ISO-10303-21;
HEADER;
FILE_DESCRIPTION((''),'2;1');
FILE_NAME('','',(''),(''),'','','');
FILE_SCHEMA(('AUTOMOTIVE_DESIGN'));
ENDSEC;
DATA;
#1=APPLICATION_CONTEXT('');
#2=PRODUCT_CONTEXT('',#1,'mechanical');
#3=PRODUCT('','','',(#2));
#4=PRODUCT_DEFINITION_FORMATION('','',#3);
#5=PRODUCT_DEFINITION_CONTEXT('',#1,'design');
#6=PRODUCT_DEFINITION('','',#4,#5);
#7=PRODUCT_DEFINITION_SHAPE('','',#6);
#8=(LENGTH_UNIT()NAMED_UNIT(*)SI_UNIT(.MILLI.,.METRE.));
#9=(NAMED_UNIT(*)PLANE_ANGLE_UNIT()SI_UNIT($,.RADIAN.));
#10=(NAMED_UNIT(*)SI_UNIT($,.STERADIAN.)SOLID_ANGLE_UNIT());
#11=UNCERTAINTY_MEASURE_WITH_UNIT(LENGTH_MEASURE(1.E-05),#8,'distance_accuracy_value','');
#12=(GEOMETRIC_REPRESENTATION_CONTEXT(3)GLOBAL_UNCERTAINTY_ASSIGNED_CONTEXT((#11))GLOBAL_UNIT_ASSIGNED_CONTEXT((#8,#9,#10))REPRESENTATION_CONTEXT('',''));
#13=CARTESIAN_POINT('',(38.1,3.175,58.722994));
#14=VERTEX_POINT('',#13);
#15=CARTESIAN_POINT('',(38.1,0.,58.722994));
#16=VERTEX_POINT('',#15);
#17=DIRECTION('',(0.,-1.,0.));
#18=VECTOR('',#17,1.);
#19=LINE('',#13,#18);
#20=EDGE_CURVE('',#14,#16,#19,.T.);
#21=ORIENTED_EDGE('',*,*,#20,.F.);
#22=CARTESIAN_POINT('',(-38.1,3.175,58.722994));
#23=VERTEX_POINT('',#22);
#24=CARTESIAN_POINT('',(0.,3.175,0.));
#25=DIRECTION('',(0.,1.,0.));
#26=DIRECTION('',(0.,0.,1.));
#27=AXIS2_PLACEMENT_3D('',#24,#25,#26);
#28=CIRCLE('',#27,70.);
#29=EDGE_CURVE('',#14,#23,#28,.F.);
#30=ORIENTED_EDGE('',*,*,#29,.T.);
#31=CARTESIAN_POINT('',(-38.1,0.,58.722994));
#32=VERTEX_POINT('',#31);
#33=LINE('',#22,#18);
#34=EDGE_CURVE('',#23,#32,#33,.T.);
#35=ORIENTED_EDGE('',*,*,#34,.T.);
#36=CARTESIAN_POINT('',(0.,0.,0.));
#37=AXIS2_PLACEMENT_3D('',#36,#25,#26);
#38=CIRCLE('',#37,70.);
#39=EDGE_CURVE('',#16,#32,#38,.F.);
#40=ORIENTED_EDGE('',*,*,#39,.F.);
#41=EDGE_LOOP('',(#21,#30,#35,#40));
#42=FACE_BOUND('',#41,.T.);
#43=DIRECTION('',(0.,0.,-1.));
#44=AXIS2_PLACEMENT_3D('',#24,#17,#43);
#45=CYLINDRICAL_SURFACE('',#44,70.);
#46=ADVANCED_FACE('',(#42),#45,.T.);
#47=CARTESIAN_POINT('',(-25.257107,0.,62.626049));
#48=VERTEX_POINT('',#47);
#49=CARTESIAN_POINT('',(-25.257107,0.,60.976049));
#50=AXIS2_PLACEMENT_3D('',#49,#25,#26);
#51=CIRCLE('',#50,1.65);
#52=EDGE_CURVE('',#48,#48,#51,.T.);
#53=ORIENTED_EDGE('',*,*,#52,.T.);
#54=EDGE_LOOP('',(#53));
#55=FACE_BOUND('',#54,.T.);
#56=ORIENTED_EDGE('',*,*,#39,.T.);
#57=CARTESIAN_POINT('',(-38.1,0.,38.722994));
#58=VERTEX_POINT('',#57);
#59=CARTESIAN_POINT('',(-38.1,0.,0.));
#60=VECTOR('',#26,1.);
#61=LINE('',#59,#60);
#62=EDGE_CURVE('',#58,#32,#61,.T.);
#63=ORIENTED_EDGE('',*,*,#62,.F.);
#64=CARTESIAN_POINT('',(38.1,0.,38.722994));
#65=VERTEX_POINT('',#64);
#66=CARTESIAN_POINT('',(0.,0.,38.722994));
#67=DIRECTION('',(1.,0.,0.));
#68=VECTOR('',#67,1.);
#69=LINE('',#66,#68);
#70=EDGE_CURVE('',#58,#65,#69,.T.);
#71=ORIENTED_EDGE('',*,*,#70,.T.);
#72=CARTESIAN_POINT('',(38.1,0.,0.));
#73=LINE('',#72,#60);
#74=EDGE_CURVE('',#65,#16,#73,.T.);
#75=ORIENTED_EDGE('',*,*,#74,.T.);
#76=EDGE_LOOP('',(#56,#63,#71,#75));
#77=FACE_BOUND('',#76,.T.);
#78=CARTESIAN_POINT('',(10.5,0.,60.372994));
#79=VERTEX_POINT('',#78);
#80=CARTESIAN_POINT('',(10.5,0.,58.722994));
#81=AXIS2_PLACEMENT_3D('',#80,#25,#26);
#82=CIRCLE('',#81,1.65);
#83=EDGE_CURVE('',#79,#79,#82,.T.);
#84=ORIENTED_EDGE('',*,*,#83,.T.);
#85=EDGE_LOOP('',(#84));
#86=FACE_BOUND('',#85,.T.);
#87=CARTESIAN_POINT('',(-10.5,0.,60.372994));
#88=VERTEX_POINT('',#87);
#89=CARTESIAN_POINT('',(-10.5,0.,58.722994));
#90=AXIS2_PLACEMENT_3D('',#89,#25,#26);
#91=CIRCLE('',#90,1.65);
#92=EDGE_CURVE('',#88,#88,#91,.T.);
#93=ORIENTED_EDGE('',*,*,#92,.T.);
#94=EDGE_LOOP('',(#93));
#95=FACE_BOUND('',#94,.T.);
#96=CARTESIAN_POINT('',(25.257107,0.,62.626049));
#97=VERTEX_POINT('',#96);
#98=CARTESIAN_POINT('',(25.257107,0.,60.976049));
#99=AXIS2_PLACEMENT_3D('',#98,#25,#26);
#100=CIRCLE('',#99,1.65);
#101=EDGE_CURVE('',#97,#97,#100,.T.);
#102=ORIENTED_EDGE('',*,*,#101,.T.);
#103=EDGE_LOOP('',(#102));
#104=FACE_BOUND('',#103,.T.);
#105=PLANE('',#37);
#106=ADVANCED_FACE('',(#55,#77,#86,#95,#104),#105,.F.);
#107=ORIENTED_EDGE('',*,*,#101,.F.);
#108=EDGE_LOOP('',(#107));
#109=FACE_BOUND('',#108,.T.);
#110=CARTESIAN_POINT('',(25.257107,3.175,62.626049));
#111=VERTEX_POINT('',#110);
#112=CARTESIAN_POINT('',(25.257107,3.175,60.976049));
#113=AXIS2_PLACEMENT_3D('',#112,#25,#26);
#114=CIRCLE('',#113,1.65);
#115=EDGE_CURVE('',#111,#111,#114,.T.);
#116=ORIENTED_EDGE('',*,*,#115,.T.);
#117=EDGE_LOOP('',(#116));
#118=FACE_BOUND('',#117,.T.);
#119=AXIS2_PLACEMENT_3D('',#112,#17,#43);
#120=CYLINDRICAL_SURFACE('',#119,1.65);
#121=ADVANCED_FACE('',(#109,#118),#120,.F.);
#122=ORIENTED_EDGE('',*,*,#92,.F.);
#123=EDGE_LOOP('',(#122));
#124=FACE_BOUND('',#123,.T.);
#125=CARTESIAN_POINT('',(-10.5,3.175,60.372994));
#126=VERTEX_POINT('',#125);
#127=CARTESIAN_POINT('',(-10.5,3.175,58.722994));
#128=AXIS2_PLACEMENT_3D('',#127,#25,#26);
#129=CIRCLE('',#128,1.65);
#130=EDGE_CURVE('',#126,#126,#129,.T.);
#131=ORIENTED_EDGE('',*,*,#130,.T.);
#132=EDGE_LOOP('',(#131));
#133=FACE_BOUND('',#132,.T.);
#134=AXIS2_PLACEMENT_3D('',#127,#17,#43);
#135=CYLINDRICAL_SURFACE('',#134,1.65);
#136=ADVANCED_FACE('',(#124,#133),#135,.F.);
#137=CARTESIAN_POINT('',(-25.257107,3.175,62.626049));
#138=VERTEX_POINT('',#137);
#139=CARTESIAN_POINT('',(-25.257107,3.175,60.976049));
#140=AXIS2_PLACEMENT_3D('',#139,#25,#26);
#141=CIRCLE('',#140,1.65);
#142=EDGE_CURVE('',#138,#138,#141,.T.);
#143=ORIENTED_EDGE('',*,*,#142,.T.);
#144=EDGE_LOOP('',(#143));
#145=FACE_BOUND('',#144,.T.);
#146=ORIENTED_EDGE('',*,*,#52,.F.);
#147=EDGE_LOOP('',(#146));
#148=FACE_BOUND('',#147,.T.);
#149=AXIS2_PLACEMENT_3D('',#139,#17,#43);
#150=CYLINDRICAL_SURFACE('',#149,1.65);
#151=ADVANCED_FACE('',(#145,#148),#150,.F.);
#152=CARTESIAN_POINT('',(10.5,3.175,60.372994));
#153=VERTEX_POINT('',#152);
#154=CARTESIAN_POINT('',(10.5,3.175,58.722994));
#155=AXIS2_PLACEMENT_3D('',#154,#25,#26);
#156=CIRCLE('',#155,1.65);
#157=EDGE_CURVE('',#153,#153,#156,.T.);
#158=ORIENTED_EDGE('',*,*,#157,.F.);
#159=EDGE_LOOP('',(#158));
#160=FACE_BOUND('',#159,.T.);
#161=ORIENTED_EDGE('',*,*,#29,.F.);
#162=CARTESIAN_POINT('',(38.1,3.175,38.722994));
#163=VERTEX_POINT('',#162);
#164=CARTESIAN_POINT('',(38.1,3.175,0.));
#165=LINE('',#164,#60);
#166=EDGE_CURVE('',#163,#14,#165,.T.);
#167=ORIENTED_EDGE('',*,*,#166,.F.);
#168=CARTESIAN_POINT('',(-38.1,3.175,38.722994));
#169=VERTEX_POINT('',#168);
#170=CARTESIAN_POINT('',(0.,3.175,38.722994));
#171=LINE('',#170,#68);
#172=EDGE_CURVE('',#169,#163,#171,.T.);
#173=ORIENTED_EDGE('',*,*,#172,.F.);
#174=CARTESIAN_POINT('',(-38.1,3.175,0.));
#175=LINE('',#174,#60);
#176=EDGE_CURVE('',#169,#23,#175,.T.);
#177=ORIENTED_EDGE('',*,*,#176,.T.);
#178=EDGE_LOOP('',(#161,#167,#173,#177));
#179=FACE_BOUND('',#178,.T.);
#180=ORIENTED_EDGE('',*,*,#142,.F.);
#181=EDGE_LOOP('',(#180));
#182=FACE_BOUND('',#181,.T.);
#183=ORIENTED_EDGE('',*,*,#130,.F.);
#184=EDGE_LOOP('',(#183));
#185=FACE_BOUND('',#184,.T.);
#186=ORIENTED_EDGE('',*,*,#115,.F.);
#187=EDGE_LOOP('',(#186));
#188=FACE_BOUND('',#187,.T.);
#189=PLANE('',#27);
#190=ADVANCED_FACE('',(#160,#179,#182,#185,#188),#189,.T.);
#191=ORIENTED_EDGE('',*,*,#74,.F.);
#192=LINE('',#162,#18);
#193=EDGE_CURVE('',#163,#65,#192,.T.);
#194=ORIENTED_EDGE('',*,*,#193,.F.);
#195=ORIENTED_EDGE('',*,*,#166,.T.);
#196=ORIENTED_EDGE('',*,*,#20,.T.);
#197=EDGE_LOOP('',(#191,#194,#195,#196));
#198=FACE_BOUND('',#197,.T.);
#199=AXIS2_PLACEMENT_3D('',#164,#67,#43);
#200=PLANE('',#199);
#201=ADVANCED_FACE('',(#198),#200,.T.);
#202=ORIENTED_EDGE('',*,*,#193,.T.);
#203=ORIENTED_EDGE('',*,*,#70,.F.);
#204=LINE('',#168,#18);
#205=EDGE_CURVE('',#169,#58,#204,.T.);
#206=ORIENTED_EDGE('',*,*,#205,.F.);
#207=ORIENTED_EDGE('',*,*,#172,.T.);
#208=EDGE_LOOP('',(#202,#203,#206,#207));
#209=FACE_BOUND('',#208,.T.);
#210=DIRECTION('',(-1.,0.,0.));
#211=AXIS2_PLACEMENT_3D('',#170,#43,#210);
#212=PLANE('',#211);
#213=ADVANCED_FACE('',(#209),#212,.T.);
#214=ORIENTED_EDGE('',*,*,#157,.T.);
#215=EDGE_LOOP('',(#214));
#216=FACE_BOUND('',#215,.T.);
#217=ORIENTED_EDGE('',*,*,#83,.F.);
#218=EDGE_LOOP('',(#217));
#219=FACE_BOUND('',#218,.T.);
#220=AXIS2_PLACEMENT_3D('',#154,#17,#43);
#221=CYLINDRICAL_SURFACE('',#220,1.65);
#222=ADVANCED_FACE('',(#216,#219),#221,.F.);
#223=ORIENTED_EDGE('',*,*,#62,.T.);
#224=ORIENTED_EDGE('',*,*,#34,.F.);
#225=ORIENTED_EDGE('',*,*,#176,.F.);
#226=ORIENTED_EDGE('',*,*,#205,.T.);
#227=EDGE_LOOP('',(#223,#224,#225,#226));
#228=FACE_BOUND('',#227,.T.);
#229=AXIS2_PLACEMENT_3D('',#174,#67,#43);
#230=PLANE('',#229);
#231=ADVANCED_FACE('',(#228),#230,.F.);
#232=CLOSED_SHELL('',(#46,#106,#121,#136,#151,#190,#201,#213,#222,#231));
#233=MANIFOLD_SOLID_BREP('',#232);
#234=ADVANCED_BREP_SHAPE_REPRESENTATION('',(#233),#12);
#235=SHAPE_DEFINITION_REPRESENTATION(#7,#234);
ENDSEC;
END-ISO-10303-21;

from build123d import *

# Parameters (mm, degrees)
SKETCH2_R           = 1.65
BOSS_EXTRUDE2_DEPTH = 3.175


with BuildPart() as part:
    # Sketch2 → Boss-Extrude2 (new body)
    with BuildSketch(Plane(origin=(0, 0, 0), x_dir=(1, 0, 0), z_dir=(0, 1, 0))):
        with BuildLine():
            Line((-38.1, -38.722993793), (-38.1, -58.722993793))
            ThreePointArc((-38.1, -58.722993793), (0, -70), (38.1, -58.722993793))
            Line((38.1, -58.722993793), (38.1, -38.722993793))
            Line((38.1, -38.722993793), (-38.1, -38.722993793))
        make_face()
        with Locations((-25.257106536, -60.976049146)):
            Circle(SKETCH2_R, mode=Mode.SUBTRACT)
        with Locations((25.257106536, -60.976049146)):
            Circle(SKETCH2_R, mode=Mode.SUBTRACT)
        with Locations((10.5, -58.722993793)):
            Circle(SKETCH2_R, mode=Mode.SUBTRACT)
        with Locations((-10.5, -58.722993793)):
            Circle(SKETCH2_R, mode=Mode.SUBTRACT)
    extrude(amount=BOSS_EXTRUDE2_DEPTH)


solid = part.part
